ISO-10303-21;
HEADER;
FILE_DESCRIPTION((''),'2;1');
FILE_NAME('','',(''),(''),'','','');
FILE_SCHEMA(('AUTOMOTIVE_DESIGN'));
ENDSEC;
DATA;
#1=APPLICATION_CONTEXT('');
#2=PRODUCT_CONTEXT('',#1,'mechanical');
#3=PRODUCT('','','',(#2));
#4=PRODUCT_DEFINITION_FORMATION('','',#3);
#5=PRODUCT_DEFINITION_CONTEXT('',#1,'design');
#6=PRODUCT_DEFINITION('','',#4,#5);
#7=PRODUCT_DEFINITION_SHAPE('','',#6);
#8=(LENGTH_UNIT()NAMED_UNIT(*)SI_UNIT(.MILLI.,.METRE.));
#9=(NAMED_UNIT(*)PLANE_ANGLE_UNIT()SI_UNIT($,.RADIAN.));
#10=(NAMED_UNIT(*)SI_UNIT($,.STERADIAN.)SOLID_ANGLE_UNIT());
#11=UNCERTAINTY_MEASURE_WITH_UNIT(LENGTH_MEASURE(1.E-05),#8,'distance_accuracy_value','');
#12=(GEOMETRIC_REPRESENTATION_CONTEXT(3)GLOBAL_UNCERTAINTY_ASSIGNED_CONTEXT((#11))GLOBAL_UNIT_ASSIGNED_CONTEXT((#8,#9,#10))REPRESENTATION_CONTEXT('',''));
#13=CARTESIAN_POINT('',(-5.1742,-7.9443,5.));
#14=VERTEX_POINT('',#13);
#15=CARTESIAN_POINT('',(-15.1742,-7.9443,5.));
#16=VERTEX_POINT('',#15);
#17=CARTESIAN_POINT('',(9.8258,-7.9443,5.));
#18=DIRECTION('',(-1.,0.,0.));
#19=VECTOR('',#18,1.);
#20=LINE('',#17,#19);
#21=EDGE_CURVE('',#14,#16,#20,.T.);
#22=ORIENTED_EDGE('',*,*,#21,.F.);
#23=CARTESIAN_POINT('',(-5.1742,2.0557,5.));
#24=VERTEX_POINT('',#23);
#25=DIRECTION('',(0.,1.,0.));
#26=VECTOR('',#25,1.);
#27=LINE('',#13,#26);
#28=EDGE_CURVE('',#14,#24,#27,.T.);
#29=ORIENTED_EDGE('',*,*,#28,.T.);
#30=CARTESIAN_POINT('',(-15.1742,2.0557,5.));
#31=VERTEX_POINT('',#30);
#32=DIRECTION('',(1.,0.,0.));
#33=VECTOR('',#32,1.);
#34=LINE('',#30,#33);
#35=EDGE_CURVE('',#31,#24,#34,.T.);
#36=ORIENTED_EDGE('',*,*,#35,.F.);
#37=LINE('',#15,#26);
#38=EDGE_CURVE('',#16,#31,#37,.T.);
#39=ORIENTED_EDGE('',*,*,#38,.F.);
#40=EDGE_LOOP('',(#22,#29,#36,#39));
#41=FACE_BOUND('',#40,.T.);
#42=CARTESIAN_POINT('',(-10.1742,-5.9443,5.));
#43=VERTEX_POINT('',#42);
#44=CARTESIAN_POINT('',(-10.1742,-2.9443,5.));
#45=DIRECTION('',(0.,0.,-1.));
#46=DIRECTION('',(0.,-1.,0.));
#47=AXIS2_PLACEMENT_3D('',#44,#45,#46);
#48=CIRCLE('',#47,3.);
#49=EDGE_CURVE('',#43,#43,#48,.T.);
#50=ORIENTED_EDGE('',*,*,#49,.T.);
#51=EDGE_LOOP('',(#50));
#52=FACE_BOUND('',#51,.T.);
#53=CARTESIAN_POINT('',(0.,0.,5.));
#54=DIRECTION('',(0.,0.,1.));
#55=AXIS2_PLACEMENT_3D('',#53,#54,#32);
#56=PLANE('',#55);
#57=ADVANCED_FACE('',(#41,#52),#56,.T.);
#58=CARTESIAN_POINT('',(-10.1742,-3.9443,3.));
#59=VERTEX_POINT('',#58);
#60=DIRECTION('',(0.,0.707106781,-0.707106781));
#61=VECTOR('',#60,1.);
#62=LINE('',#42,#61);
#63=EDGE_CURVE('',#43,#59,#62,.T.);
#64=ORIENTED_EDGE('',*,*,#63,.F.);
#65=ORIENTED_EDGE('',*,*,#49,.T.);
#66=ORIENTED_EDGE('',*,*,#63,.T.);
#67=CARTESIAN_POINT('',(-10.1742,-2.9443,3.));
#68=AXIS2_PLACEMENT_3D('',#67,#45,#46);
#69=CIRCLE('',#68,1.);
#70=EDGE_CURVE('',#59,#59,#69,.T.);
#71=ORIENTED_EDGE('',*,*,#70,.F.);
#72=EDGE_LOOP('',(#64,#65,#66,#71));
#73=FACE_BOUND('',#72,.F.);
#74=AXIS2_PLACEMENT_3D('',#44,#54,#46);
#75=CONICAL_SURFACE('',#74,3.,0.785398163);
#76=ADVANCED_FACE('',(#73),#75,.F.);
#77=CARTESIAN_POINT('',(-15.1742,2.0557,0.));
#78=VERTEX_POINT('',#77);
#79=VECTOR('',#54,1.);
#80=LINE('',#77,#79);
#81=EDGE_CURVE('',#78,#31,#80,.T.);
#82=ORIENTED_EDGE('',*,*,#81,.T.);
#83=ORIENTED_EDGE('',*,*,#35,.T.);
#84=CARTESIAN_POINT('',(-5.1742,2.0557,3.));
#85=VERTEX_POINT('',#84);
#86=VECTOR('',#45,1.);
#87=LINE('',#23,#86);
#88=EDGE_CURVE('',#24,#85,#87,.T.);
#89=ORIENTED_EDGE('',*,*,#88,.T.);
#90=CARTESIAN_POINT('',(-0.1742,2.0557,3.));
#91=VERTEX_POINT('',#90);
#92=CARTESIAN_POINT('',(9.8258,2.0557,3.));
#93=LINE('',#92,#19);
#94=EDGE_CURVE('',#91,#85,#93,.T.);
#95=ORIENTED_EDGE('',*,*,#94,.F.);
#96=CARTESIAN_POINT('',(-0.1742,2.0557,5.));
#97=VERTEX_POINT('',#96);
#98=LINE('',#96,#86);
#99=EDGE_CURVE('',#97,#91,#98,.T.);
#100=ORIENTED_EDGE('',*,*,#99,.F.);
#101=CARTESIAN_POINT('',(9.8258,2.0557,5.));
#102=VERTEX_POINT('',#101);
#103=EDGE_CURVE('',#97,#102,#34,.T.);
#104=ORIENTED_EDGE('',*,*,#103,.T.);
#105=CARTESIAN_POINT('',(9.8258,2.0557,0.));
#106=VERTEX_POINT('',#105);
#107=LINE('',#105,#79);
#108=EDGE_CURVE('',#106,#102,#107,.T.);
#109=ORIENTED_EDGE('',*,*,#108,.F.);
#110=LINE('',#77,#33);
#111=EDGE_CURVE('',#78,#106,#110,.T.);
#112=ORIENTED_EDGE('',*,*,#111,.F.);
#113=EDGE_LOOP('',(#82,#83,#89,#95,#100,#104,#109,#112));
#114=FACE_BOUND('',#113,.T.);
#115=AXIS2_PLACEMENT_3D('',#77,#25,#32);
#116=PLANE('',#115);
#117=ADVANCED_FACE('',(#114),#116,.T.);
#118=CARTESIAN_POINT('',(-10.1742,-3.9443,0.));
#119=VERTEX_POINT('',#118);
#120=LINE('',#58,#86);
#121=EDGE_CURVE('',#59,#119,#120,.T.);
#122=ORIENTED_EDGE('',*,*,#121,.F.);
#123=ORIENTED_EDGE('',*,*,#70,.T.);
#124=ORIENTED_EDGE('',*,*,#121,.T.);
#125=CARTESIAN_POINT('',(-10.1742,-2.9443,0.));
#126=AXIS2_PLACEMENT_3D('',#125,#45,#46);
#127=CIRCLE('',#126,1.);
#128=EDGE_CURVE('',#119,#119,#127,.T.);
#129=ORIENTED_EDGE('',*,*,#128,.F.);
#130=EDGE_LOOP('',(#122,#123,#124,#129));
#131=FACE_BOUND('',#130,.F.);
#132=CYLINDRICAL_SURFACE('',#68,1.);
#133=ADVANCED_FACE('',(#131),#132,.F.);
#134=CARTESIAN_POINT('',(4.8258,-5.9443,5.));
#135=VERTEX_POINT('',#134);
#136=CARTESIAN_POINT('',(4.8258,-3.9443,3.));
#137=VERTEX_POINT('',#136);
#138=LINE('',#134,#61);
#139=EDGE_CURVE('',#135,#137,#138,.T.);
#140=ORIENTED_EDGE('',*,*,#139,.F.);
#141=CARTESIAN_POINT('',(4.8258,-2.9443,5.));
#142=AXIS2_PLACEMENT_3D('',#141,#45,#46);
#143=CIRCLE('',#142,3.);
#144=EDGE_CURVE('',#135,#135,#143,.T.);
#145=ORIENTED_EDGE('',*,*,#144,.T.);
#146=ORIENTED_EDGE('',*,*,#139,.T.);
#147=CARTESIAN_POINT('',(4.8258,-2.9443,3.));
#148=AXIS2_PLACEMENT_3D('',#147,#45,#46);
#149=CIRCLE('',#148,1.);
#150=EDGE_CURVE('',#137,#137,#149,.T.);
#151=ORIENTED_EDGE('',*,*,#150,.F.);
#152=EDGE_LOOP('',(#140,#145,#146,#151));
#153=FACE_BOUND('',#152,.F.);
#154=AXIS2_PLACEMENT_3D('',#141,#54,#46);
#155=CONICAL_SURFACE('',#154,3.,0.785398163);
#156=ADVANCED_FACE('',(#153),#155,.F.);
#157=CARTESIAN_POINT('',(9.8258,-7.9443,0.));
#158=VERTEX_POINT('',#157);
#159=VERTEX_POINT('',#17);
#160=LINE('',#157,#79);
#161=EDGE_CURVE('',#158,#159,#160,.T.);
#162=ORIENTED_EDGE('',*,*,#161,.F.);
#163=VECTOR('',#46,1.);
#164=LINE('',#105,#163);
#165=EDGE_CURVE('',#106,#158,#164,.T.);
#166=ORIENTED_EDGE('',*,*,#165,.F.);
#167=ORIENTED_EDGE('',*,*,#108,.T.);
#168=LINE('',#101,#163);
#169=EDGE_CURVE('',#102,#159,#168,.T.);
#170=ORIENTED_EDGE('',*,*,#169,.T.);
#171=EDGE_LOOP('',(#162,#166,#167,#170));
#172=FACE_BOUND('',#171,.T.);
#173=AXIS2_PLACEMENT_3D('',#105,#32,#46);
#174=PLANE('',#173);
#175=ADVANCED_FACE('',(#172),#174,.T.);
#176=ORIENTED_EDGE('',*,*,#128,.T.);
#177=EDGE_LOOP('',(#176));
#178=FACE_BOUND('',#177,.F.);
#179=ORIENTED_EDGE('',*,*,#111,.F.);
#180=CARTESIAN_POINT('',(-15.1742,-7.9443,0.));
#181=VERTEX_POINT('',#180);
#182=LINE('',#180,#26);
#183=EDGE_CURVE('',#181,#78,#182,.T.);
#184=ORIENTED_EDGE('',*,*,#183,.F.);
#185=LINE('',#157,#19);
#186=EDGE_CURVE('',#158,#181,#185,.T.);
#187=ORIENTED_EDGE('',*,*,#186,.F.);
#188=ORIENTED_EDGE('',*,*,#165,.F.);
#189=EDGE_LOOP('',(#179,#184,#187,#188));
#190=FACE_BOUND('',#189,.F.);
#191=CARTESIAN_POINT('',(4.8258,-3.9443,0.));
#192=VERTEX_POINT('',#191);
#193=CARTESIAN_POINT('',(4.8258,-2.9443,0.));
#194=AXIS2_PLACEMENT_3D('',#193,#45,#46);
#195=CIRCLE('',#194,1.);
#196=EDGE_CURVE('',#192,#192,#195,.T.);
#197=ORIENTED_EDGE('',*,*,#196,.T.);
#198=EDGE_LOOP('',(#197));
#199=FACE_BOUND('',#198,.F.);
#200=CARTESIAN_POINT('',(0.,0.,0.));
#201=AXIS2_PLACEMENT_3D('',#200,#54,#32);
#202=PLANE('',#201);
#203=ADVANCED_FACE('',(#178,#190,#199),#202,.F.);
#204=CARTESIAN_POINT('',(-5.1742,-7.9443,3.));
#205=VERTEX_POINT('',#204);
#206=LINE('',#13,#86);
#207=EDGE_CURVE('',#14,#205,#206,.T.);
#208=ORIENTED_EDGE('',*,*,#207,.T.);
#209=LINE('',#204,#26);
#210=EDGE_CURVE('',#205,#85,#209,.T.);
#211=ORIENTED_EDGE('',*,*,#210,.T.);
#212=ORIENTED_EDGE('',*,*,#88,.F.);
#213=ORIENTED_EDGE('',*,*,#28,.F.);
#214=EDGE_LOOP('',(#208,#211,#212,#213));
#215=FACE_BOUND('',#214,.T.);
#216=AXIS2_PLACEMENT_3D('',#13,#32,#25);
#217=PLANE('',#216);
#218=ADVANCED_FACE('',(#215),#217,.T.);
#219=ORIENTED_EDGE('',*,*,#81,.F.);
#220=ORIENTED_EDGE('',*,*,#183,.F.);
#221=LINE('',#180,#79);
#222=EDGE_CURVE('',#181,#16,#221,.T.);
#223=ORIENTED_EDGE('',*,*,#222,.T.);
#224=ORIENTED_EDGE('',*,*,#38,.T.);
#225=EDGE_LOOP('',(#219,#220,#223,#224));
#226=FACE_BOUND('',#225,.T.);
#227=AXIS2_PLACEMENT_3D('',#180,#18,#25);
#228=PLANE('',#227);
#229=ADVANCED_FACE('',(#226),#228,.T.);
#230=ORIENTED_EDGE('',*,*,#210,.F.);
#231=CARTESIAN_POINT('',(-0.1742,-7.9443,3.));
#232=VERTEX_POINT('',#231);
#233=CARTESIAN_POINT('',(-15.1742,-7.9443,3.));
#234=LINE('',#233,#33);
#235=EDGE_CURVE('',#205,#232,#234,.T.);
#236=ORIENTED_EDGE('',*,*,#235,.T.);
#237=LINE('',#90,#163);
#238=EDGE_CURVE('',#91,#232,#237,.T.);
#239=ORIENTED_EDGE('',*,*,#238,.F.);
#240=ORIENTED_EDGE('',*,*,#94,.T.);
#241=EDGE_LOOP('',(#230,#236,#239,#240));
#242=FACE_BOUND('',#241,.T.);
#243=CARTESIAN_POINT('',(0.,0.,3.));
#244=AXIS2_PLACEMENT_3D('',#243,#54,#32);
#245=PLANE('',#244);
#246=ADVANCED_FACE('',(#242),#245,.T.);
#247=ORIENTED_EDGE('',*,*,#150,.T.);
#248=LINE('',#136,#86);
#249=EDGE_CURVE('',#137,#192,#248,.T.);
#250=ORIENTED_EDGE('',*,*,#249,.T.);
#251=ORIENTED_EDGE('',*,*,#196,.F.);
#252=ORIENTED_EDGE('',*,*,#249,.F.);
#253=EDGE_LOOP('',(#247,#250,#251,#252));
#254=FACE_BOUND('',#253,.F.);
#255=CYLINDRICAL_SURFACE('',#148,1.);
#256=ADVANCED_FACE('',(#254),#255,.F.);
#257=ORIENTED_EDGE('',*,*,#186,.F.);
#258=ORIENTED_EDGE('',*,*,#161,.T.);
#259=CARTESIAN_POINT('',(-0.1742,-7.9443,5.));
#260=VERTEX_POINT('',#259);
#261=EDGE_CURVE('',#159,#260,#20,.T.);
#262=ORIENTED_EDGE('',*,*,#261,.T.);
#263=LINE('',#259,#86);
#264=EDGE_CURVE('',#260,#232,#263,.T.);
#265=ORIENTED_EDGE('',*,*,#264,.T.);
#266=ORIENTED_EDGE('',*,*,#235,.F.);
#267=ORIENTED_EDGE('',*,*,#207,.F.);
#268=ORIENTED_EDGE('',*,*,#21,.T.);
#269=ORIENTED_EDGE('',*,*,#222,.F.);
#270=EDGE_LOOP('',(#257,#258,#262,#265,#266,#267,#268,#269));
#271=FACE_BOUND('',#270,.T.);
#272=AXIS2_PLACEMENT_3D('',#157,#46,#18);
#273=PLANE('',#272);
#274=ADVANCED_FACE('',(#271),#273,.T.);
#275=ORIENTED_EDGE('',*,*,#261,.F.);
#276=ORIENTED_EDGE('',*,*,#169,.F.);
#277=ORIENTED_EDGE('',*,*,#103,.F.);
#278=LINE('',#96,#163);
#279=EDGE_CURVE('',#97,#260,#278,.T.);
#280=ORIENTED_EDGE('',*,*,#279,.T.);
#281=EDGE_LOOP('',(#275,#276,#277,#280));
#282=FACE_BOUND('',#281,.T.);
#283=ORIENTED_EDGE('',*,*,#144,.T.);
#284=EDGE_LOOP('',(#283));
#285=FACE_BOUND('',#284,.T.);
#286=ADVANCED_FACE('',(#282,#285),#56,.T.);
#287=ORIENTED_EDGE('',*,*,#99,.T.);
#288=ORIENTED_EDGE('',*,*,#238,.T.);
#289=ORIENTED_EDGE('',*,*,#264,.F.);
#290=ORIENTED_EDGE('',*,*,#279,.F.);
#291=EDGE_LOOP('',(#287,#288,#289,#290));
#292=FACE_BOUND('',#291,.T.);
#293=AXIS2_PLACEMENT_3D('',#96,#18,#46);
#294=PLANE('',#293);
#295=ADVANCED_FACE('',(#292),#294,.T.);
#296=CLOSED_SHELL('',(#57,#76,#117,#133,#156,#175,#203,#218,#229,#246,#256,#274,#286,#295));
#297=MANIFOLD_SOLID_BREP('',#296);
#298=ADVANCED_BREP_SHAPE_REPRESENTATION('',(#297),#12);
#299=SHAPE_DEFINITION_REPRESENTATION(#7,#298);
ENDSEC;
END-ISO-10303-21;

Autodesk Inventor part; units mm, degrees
ref_plane "YZ Plane" through (0, 0, 0) normal (1, 0, 0) x (0, 1, 0)
ref_plane "XZ Plane" through (0, 0, 0) normal (0, 1, 0) x (-1, 0, 0)
ref_plane "XY Plane" through (0, 0, 0) normal (0, 0, 1) x (1, 0, 0)
sketch "Sketch1" plane through (0, 0, 0) normal (0, 0, 1) x (1, 0, 0)
  line L0 (-15.1742, 2.0557) -> (9.8258, 2.0557)
  line L1 (9.8258, 2.0557) -> (9.8258, -7.9443)
  line L2 (9.8258, -7.9443) -> (-15.1742, -7.9443)
  line L3 (-15.1742, -7.9443) -> (-15.1742, 2.0557)
  point P0 (0, 0)
  dimension "d0" = 25
  dimension "d1" = 10
extrude "Extrusion1" add sketch "Sketch1" along normal blind 5
sketch "Sketch2" plane through (0, 0, 5) normal (0, 0, 1) x (1, 0, 0)
  circle A0 centre (-10.1742, -2.9443) radius 1
  line L0 (-15.1742, 2.0557) -> (-15.1742, -7.9443) projected
  line L1 (9.8258, 2.0557) -> (-15.1742, 2.0557) projected
  line L2 (-2.6742, 2.0557) -> (-2.6742, -2.9443)
  circle A1 centre (4.8258, -2.9443) radius 1
  point P0 (0, 0)
  dimension "d4" = 2
  dimension "d5" = 5
  dimension "d6" = 5
hole "Hole1" at (-10.1742, -2.9443, 5) at (4.8258, -2.9443, 5) direction (0, 0, -1) diameter 2 end through all countersink diameter 6 countersink angle 90
sketch "Sketch3" plane through (0, 0, 5) normal (0, 0, 1) x (1, 0, 0)
  line L0 (9.8258, 2.0557) -> (-15.1742, 2.0557) projected
  line L1 (-15.1742, -7.9443) -> (9.8258, -7.9443) projected
  line L2 (-5.1742, 2.0557) -> (-0.1742, 2.0557)
  line L3 (-0.1742, 2.0557) -> (-0.1742, -7.9443)
  line L4 (-0.1742, -7.9443) -> (-5.1742, -7.9443)
  line L5 (-5.1742, -7.9443) -> (-5.1742, 2.0557)
  line L6 (-15.1742, 2.0557) -> (-15.1742, -7.9443) projected
  line L7 (9.8258, -7.9443) -> (9.8258, 2.0557) projected
  point P0 (0, 0)
  dimension "d14" = 10
  dimension "d15" = 10
extrude "Extrusion2" cut sketch "Sketch3" against normal blind 2 contours L3 L1 L5 L0
properties part number "CameraArmMount"
